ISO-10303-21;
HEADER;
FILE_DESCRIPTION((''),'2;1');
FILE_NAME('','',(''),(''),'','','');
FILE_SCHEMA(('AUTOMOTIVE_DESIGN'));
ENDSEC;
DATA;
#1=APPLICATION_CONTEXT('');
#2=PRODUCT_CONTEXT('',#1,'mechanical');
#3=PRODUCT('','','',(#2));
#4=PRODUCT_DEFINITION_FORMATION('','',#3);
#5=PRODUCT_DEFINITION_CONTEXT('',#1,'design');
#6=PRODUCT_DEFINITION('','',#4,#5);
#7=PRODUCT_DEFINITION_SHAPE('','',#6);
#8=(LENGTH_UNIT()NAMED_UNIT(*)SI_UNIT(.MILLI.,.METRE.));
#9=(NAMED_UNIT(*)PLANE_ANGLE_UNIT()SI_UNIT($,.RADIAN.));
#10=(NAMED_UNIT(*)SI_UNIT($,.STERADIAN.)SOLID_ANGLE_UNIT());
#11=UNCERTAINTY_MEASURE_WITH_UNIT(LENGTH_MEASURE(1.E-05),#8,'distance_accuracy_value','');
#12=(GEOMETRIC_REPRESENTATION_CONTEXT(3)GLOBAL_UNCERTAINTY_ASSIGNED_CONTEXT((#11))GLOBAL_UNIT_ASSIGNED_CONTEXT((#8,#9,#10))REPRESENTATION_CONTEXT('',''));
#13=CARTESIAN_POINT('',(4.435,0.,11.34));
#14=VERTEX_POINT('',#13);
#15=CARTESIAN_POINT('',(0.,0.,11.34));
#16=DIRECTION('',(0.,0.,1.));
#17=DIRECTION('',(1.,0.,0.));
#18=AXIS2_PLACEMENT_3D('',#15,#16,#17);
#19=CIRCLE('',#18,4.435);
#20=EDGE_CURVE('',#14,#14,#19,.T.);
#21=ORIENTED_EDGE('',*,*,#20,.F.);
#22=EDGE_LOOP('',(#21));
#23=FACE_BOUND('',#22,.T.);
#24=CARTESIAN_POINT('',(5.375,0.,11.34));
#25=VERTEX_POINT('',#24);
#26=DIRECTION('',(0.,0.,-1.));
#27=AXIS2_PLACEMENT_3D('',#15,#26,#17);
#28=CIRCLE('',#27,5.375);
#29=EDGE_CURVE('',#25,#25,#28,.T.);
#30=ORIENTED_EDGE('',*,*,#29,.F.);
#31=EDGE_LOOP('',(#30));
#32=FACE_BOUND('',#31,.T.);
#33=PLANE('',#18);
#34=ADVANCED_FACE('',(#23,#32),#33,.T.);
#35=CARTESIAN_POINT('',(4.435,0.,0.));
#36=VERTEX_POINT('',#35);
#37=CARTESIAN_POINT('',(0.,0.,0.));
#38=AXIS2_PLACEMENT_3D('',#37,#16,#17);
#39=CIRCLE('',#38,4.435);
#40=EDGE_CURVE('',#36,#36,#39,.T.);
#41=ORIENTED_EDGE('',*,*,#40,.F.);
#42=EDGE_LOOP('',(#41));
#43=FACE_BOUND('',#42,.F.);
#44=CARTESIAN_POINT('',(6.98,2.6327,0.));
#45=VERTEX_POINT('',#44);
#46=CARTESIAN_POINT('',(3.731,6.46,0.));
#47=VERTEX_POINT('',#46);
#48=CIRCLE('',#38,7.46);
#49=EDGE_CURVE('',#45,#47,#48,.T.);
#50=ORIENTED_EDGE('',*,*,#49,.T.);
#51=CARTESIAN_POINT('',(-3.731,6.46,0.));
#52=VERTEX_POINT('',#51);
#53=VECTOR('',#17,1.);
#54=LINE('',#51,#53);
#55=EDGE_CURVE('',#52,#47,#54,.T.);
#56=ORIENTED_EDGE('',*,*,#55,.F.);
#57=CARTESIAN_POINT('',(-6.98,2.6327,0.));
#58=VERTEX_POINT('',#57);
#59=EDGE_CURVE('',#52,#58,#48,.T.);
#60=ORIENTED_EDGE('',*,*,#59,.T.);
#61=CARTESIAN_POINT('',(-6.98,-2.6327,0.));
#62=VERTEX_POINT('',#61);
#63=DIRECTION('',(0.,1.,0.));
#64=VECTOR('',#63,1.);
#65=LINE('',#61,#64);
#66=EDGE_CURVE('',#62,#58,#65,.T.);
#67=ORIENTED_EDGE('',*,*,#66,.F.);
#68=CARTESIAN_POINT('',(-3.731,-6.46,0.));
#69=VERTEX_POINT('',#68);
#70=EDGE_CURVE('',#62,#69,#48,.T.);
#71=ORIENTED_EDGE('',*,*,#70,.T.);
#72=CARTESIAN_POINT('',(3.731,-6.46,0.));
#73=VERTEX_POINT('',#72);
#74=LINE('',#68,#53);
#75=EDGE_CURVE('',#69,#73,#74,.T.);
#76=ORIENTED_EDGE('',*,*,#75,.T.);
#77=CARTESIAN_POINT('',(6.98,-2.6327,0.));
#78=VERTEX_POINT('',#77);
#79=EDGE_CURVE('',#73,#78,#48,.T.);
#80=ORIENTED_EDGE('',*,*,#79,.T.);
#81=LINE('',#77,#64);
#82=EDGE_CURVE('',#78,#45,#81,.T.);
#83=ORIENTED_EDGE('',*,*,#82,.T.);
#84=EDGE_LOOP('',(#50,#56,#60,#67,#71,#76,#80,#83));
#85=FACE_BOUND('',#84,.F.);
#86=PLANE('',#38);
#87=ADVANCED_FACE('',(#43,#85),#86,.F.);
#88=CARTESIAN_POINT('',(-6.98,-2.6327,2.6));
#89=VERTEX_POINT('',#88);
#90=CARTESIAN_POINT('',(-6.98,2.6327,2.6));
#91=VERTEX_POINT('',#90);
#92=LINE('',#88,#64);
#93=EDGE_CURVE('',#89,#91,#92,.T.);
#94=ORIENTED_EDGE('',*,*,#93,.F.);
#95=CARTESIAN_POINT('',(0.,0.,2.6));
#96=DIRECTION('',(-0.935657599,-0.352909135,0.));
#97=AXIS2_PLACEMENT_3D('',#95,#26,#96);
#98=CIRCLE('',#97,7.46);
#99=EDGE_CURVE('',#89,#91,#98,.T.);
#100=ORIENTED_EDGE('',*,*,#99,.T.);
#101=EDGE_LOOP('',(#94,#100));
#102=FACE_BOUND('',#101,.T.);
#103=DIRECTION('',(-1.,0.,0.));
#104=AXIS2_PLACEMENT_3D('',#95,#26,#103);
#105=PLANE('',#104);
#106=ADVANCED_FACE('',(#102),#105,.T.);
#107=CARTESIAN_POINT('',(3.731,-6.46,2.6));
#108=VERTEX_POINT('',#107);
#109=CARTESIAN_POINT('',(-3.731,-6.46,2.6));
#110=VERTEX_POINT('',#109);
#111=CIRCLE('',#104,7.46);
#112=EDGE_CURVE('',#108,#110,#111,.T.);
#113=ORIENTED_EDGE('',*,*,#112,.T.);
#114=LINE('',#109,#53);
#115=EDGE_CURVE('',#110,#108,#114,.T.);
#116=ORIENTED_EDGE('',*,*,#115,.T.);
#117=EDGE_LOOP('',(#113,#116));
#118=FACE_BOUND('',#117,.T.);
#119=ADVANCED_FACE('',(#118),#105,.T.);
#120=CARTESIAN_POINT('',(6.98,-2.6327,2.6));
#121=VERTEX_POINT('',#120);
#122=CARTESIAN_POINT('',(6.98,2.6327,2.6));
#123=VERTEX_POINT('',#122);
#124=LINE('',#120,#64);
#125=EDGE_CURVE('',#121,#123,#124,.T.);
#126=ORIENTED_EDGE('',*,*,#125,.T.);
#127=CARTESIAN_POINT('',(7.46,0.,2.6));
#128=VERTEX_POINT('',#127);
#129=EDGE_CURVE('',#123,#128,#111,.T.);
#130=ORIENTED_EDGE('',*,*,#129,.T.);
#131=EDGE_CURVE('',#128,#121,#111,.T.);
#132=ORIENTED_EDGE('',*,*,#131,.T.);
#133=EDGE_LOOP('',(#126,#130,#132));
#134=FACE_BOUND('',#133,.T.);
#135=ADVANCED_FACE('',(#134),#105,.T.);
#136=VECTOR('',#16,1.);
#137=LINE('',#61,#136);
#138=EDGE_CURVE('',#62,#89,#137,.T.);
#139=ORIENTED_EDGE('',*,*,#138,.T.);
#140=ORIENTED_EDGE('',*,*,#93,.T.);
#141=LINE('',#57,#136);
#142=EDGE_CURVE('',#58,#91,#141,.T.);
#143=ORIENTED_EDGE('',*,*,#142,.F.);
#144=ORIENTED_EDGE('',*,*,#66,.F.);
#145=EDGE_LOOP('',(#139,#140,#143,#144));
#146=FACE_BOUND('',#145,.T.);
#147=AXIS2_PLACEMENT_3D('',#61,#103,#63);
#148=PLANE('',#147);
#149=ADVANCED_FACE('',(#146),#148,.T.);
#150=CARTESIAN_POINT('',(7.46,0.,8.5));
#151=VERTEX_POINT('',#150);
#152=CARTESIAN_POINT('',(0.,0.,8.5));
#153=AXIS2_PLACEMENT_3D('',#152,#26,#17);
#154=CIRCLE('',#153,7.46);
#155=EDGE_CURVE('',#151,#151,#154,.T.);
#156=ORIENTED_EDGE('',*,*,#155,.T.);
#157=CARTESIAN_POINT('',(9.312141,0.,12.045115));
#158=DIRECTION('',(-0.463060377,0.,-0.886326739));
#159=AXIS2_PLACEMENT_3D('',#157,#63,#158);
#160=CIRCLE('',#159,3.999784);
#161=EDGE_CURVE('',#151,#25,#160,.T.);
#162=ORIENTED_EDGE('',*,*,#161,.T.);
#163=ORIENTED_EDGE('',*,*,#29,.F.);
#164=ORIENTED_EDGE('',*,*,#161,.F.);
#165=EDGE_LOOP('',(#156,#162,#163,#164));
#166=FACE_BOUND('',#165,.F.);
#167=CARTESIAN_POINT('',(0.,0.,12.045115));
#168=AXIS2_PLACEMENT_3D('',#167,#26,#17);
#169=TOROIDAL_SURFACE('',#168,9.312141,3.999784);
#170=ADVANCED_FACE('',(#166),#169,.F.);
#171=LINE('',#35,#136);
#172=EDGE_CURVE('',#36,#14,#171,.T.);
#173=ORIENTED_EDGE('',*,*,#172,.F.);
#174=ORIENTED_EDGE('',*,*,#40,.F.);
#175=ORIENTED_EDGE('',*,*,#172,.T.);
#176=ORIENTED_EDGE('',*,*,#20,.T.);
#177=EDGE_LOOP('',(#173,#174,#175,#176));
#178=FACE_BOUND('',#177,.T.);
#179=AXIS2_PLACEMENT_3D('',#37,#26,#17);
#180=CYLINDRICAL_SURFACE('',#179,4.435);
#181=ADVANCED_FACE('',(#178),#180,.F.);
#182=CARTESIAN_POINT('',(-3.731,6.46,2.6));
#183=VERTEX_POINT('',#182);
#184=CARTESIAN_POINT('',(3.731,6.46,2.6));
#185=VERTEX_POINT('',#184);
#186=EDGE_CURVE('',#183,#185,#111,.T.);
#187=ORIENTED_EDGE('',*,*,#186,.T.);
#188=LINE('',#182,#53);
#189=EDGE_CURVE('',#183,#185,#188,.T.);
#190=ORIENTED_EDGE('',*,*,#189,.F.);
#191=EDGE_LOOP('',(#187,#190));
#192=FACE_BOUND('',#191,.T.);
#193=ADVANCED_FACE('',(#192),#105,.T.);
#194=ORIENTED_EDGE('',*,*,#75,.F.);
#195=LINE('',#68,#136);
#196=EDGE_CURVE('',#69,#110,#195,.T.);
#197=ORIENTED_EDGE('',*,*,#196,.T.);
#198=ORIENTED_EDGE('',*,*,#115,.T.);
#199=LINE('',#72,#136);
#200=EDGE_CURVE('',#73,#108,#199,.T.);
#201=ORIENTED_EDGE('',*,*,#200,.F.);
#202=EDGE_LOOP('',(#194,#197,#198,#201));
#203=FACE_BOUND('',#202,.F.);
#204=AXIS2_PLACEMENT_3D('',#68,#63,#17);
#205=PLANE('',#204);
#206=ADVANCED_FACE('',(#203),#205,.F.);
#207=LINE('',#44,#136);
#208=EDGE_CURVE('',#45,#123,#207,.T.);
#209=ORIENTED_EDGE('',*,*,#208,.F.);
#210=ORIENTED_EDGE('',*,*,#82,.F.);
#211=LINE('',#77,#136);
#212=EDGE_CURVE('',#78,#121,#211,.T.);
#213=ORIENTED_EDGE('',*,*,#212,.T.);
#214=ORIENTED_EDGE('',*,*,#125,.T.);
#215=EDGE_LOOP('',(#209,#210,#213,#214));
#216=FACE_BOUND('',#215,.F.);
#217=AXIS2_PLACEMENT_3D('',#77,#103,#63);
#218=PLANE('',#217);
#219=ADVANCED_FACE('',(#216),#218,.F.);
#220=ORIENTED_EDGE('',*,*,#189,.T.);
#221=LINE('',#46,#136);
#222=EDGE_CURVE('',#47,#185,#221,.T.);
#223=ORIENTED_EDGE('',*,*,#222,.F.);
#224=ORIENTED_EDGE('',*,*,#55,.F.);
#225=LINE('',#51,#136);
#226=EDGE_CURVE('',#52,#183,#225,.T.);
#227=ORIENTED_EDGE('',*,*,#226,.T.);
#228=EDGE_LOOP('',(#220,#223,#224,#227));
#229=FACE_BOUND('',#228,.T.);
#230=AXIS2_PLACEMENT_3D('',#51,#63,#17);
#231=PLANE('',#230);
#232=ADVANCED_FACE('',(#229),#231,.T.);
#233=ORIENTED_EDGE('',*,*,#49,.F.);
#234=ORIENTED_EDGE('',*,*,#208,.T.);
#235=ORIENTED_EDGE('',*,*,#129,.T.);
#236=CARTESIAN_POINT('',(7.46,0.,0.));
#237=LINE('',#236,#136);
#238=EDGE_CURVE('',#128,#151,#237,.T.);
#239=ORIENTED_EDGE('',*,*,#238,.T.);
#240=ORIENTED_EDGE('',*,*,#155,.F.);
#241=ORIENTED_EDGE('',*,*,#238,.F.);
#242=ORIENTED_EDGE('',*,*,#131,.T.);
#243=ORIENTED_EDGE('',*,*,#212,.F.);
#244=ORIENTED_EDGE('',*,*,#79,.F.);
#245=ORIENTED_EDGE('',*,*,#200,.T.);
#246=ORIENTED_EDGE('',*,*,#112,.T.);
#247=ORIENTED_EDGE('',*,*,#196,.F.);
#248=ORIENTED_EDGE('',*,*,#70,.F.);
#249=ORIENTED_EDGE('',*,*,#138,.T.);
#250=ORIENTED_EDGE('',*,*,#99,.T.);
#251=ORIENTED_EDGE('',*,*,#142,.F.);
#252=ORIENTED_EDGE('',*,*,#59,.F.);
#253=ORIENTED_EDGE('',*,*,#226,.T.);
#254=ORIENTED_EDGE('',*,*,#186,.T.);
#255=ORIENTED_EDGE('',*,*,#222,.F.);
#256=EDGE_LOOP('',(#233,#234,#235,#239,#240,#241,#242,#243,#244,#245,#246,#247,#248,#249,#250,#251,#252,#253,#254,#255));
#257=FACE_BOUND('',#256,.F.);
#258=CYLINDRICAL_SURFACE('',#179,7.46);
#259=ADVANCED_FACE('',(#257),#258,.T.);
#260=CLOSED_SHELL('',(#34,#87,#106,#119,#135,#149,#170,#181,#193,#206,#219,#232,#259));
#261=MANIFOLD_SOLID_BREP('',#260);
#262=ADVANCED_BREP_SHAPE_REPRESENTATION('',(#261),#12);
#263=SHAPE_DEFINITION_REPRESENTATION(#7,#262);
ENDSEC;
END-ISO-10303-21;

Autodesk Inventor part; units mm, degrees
ref_plane "YZ Plane" through (0, 0, 0) normal (1, 0, 0) x (0, 1, 0)
ref_plane "XZ Plane" through (0, 0, 0) normal (0, 1, 0) x (-1, 0, 0)
ref_plane "XY Plane" through (0, 0, 0) normal (0, 0, 1) x (1, 0, 0)
sketch "Sketch1" plane through (0, 0, 0) normal (0, 0, 1) x (1, 0, 0)
  circle A0 centre (0, 0) radius 4.435
  circle A1 centre (0, 0) radius 7.46
  dimension "d0" = 8.87
  dimension "d1" = 14.92
extrude "Extrusion1" add sketch "Sketch1" along normal blind 11.34
sketch "Sketch2" plane through (0, 0, 0) normal (0, 1, 0) x (-1, 0, 0)
  line L0 (7.46, 11.34) -> (-7.46, 11.34) projected
  line L1 (-7.46, 0) -> (7.46, 0) projected
  line L2 (7.46, 11.34) -> (-7.46, 11.34) projected
  line L3 (0, 11.34) -> (-5.375, 11.34) construction
  line L4 (-7.46, 0) -> (-7.46, 8.5) construction
  line L5 (-7.46, 0) -> (-7.46, 11.34) projected
  arc A0 (-7.46, 8.5) -> (-5.375, 11.34) centre (-9.3123, 12.0453) ccw
  line L6 (-5.375, 11.34) -> (-7.46, 11.34)
  line L7 (-7.46, 11.34) -> (-7.46, 8.5)
  line L8 (0, 11.34) -> (0, 0)
  dimension "d4" = 5.375
  dimension "d5" = 8.5
  dimension "d6" = 4
revolve "Revolution1" cut sketch "Sketch2" angle 360 about axis through (0, 0, 11.34) along (0, 0, -1) contours A0 L5 L0
thread "Thread1" size "M9x1.25" class "6H" standard "ANSI Metric M Profile" full length
sketch "Sketch3" plane through (0, 0, 0) normal (0, 0, -1) x (-1, 0, 0)
  circle A0 centre (0, 0) radius 4.435 projected
  circle A1 centre (0, 0) radius 7.46 projected
  line L0 (3.731, -6.46) -> (-3.731, -6.46)
  line L1 (3.731, 6.46) -> (-3.731, 6.46)
  line L2 (6.98, -2.6327) -> (6.98, 2.6327)
  line L3 (-6.98, -2.6327) -> (-6.98, 2.6327)
  dimension "d10" = 12.92
  dimension "d11" = 6.46
  dimension "d12" = 13.96
  dimension "d13" = 6.98
extrude "Extrusion2" cut sketch "Sketch3" against normal blind 2.6 contours A1 L2 | L1 A1 | A1 L0 | L3 A1
equation "\"d11\" = 0.5 * d10"
equation "\"d13\" = 0.5 * d12"
properties part number "BallBearingCone"
